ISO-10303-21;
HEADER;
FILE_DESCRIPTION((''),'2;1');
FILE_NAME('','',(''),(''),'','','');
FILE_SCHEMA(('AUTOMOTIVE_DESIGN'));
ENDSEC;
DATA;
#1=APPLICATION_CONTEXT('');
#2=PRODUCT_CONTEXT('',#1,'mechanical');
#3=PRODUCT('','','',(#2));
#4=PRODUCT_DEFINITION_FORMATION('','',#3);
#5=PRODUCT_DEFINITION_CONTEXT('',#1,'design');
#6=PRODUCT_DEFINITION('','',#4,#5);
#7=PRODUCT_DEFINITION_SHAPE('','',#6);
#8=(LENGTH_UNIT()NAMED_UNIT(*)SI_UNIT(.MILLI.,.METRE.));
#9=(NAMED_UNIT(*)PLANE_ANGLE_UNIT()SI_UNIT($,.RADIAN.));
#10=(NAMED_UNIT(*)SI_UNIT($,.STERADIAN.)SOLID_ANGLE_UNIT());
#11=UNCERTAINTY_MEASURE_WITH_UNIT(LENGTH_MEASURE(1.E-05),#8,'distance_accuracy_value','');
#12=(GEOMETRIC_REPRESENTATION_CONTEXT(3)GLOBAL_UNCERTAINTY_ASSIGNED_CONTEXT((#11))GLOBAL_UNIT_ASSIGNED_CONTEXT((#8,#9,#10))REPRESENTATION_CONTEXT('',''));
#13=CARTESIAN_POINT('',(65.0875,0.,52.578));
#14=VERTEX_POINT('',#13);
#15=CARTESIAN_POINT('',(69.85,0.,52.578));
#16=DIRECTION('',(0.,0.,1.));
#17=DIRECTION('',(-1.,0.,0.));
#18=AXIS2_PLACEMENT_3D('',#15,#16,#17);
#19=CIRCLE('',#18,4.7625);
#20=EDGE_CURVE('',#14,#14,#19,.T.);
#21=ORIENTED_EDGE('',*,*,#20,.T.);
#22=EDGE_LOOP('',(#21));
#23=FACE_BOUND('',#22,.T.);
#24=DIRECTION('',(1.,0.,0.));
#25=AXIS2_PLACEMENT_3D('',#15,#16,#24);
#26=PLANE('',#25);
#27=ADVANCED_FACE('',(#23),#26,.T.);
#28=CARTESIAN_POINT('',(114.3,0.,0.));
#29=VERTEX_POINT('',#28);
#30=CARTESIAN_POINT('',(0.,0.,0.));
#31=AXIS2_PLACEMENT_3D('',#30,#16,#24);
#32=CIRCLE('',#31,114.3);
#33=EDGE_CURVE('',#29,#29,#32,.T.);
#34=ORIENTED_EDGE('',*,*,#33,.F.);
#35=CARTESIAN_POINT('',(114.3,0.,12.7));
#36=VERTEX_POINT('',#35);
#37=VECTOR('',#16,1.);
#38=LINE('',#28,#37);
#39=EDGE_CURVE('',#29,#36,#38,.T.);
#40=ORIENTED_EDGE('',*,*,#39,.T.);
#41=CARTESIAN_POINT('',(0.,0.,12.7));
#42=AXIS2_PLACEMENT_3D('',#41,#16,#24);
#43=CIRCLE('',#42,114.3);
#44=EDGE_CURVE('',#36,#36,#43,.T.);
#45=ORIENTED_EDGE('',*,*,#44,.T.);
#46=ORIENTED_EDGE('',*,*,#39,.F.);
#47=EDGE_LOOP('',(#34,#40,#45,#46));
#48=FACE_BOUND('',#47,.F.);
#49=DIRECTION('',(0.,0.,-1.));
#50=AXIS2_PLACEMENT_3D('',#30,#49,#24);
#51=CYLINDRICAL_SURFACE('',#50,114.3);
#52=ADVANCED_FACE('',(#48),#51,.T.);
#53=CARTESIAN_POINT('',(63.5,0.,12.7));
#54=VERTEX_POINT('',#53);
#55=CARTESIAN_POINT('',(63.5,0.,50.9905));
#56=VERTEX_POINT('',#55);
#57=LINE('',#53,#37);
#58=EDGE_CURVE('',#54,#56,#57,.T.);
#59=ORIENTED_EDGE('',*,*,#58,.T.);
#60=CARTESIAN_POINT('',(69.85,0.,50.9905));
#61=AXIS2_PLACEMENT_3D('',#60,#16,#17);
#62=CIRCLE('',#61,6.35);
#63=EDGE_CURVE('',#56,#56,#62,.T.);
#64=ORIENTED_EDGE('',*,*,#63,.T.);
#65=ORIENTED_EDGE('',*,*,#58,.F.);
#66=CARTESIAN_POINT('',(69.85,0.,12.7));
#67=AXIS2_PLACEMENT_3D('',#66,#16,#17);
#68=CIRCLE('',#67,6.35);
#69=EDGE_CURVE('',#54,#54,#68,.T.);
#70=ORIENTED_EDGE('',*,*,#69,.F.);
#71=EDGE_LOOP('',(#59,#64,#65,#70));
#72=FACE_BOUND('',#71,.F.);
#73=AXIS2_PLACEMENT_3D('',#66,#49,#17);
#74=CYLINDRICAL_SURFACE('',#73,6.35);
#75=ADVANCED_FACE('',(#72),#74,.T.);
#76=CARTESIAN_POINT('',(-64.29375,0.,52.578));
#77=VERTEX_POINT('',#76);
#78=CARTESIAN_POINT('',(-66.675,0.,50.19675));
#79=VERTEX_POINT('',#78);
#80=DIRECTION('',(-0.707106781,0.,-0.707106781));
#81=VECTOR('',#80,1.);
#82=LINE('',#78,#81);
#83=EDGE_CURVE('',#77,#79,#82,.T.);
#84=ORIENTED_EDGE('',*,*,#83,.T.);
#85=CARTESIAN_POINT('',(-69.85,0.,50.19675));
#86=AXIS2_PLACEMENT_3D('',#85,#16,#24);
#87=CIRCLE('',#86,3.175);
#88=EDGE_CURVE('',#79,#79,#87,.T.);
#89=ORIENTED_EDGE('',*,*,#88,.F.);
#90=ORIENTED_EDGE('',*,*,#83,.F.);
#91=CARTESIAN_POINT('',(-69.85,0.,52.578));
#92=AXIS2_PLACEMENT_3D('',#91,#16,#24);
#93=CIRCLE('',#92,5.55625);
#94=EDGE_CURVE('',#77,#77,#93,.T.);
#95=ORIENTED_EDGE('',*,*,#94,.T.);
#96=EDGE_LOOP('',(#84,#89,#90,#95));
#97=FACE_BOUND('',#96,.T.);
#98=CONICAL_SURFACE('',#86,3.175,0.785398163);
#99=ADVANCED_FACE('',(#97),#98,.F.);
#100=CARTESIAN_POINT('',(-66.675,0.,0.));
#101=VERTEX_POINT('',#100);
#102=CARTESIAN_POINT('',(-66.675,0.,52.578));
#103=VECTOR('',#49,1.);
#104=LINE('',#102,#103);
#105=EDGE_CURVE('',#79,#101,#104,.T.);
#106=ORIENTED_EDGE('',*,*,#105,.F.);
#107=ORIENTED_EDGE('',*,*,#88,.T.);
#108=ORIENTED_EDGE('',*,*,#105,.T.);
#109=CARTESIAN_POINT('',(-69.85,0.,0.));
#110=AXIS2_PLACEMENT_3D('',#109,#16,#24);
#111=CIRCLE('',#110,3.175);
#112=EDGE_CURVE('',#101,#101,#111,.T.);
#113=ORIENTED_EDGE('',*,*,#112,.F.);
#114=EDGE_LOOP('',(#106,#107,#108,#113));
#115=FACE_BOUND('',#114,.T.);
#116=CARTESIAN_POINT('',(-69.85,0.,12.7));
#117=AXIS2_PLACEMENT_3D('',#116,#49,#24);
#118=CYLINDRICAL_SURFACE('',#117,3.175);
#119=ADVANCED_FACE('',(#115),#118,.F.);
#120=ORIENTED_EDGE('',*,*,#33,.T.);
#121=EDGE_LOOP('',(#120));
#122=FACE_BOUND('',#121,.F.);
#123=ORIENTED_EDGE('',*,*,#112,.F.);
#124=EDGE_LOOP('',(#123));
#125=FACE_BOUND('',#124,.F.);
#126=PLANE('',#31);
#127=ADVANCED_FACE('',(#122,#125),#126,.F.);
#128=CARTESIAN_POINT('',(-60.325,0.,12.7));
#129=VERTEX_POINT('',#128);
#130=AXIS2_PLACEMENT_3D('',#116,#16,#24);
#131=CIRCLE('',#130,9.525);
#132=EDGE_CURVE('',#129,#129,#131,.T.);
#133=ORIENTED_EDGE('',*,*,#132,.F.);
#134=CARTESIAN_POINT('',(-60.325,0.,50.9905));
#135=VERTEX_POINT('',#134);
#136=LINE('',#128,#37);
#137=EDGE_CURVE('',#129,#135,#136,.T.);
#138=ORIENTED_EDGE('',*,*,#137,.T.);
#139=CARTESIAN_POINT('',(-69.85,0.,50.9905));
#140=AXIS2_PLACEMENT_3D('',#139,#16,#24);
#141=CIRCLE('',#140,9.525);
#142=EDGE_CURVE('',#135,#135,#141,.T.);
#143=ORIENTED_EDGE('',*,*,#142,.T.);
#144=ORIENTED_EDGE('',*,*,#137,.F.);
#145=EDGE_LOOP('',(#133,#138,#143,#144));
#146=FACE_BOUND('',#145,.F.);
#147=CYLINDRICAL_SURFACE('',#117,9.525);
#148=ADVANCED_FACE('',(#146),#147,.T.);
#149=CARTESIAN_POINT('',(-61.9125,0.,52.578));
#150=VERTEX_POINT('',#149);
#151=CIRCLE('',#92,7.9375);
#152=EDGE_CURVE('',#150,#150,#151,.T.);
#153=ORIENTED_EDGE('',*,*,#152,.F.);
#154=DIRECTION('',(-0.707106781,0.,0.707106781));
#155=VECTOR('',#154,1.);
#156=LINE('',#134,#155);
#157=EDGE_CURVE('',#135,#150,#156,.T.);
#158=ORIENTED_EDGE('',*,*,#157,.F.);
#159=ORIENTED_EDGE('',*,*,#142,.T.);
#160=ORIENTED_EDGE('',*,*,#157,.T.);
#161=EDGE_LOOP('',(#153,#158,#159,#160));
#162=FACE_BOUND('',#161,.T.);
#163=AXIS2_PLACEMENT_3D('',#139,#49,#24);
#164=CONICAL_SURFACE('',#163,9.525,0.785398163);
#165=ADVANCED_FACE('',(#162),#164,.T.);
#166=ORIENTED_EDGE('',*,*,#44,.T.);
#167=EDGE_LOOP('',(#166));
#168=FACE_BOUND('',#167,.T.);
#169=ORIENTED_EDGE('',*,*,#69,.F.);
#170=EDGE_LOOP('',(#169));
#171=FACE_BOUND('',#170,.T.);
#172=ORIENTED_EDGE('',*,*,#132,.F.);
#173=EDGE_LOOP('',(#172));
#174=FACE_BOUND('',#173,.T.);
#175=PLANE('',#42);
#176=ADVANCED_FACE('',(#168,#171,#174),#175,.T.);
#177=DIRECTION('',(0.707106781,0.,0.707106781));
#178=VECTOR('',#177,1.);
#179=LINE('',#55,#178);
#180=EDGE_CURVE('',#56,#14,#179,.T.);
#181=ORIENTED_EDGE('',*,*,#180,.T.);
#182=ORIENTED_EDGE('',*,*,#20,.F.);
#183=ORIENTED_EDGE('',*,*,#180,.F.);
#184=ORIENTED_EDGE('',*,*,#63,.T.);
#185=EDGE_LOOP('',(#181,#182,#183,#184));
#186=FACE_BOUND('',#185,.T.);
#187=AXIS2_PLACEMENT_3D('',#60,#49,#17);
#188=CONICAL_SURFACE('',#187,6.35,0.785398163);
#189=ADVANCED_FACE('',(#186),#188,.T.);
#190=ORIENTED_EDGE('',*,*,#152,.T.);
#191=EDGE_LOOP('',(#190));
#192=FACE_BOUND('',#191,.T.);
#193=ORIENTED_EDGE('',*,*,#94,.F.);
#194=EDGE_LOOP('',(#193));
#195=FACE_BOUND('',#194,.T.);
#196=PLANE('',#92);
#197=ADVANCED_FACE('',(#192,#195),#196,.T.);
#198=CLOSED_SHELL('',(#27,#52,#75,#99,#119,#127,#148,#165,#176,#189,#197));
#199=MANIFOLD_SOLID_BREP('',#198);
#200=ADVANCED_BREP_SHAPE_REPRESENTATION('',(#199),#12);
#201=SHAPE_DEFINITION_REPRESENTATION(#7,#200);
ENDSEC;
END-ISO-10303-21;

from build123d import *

# Parameters (mm, degrees)
F0_R     = 114.3
F0_R_2   = 3.175
F1_DEPTH = 12.7
F2_R     = 9.525
F2_R_2   = 3.175
F3_DEPTH = 39.878
F4_SIZE  = 2.38125
F5_SIZE  = 1.5875
F6_SIZE  = 1.5875


with BuildPart() as f1:
    # F0 (on Top) → F1 (new body)
    with BuildSketch(Plane.XY):
        Circle(F0_R)
        with Locations((-69.85, 0)):
            Circle(F0_R_2, mode=Mode.SUBTRACT)
    extrude(amount=F1_DEPTH)

    # F2 (on face) → F3 (join)
    with BuildSketch(Plane.XY.offset(12.7)):
        with BuildLine():
            ThreePointArc((76.2, 0), (69.85, 6.35), (63.5, 0))
            ThreePointArc((63.5, 0), (69.85, -6.35), (76.2, 0))
        make_face()
        with Locations((-69.85, 0)):
            Circle(F2_R)
        with Locations((-69.85, 0)):
            Circle(F2_R_2, mode=Mode.SUBTRACT)
    extrude(amount=F3_DEPTH)

    # F4
    f4_edges = [f1.edges().sort_by_distance(p)[0] for p in [
        (-73.025, 0, 52.578),
    ]]
    chamfer(f4_edges, length=F4_SIZE)

    # F5
    f5_edges = [f1.edges().sort_by_distance(p)[0] for p in [
        (76.2, 0, 52.578),
    ]]
    chamfer(f5_edges, length=F5_SIZE)

    # F6
    f6_edges = [f1.edges().sort_by_distance(p)[0] for p in [
        (-79.375, 0, 52.578),
    ]]
    chamfer(f6_edges, length=F6_SIZE)


solid = f1.part
